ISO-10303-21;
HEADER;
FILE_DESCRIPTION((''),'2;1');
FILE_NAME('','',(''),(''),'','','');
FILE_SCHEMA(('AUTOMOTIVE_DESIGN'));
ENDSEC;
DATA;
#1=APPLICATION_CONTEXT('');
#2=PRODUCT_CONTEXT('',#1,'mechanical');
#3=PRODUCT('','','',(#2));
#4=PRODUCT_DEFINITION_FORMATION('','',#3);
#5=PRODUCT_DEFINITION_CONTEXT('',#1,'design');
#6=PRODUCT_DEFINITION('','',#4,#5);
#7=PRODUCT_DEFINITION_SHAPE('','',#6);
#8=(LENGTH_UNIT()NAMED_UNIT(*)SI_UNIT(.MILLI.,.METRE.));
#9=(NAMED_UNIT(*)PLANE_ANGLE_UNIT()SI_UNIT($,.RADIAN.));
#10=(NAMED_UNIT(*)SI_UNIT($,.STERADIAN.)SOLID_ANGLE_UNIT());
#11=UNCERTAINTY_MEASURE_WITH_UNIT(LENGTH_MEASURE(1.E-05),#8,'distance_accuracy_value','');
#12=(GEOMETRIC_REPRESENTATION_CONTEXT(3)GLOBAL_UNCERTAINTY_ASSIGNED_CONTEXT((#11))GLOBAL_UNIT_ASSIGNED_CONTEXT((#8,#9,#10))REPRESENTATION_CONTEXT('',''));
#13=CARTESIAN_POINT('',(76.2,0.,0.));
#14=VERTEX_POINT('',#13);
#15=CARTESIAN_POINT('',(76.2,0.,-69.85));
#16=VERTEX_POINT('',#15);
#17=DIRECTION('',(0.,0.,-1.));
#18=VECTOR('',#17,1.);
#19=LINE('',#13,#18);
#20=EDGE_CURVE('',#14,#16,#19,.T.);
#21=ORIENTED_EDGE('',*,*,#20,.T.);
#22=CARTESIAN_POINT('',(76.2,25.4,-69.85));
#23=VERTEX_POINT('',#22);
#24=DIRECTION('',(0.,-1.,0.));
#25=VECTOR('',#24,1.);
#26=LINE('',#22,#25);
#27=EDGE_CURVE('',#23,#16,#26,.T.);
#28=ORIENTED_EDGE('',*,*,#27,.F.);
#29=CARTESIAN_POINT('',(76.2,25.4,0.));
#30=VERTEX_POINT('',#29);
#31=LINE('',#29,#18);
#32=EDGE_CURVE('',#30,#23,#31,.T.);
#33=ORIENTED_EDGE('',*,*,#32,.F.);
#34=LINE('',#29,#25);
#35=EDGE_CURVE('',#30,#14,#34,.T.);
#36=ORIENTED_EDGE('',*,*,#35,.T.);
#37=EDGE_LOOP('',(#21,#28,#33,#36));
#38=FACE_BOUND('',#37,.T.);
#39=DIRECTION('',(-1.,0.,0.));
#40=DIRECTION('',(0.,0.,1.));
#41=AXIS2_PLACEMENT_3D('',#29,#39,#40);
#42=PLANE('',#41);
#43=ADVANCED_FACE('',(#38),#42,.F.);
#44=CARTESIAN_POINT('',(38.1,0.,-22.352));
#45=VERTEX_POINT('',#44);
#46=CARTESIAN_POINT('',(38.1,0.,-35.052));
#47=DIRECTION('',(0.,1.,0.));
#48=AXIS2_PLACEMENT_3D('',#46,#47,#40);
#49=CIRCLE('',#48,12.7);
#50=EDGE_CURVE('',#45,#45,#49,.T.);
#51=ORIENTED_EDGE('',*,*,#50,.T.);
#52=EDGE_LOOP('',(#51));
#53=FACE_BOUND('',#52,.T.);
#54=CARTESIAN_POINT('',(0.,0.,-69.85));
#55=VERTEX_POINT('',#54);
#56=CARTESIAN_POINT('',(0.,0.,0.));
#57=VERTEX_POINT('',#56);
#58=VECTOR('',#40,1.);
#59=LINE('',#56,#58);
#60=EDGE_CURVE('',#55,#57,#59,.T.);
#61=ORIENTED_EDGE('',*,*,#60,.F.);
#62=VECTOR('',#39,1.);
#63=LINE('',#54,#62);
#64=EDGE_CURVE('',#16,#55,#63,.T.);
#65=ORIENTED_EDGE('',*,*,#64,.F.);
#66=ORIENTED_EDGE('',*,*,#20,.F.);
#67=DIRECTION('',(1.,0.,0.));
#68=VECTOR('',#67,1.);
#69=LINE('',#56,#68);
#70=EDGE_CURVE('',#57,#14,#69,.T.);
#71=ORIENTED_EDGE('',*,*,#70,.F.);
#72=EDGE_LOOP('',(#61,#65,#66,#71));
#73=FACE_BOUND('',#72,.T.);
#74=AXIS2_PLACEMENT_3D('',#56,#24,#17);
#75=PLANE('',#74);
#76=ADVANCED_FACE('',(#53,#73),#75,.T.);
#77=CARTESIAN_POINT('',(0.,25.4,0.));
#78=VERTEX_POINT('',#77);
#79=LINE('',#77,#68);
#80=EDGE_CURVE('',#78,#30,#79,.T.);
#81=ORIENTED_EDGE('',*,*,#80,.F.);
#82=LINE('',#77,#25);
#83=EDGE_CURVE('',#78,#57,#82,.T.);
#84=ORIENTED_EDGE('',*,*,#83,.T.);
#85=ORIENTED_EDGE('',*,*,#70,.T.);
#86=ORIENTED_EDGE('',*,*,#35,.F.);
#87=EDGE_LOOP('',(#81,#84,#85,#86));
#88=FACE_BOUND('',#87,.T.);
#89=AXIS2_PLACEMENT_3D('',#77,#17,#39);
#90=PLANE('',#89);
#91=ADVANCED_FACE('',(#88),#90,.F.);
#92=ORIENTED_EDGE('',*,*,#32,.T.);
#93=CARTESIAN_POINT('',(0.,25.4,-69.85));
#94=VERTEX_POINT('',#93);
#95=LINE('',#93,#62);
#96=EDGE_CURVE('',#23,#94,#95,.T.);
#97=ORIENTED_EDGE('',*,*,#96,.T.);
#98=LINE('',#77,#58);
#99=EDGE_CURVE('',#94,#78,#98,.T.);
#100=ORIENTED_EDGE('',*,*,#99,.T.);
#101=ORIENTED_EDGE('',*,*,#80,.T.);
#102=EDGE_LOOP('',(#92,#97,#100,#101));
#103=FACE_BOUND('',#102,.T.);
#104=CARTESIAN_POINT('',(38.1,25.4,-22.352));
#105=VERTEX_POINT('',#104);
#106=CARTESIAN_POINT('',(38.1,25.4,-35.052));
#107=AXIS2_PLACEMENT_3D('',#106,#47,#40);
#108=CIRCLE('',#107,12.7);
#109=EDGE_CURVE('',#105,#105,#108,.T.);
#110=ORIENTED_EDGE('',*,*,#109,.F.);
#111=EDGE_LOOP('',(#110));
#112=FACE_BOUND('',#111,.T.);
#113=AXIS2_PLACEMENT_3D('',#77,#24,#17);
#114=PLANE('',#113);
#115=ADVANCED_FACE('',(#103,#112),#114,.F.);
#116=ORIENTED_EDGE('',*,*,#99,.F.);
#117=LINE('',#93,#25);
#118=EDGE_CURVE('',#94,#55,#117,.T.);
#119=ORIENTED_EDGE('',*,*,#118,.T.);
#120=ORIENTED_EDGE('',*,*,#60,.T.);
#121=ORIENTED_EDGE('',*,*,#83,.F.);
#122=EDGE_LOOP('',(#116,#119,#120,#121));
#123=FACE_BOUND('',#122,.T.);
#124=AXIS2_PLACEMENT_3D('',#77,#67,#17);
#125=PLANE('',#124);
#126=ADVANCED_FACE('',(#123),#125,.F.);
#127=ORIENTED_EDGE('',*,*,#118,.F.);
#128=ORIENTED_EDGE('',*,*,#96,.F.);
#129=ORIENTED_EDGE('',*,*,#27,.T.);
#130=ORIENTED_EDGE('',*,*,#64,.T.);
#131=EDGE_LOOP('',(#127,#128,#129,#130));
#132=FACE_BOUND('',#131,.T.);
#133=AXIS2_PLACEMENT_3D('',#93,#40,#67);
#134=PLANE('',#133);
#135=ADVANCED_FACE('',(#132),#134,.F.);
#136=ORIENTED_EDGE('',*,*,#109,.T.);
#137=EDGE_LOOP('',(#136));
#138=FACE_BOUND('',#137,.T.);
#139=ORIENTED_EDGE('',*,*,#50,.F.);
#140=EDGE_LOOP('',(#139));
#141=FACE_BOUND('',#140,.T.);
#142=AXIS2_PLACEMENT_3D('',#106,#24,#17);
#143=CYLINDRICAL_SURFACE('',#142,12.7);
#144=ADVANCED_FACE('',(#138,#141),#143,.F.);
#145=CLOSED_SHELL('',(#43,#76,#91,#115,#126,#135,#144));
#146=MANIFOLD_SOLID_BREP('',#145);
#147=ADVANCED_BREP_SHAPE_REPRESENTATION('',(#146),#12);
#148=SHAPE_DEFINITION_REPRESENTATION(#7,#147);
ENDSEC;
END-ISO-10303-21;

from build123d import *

# Parameters (mm, degrees)
SKETCH1_W           = 76.2
SKETCH1_H           = 69.85
SKETCH1_R           = 12.7
BOSS_EXTRUDE1_DEPTH = 25.4


with BuildPart() as part:
    # Sketch1 → Boss-Extrude1 (new body)
    with BuildSketch(Plane(origin=(0, 0, 0), x_dir=(1, 0, 0), z_dir=(0, 1, 0))):
        with Locations((38.1, 34.925)):
            Rectangle(SKETCH1_W, SKETCH1_H)
        with Locations((38.1, 35.052)):
            Circle(SKETCH1_R, mode=Mode.SUBTRACT)
    extrude(amount=BOSS_EXTRUDE1_DEPTH)


solid = part.part
